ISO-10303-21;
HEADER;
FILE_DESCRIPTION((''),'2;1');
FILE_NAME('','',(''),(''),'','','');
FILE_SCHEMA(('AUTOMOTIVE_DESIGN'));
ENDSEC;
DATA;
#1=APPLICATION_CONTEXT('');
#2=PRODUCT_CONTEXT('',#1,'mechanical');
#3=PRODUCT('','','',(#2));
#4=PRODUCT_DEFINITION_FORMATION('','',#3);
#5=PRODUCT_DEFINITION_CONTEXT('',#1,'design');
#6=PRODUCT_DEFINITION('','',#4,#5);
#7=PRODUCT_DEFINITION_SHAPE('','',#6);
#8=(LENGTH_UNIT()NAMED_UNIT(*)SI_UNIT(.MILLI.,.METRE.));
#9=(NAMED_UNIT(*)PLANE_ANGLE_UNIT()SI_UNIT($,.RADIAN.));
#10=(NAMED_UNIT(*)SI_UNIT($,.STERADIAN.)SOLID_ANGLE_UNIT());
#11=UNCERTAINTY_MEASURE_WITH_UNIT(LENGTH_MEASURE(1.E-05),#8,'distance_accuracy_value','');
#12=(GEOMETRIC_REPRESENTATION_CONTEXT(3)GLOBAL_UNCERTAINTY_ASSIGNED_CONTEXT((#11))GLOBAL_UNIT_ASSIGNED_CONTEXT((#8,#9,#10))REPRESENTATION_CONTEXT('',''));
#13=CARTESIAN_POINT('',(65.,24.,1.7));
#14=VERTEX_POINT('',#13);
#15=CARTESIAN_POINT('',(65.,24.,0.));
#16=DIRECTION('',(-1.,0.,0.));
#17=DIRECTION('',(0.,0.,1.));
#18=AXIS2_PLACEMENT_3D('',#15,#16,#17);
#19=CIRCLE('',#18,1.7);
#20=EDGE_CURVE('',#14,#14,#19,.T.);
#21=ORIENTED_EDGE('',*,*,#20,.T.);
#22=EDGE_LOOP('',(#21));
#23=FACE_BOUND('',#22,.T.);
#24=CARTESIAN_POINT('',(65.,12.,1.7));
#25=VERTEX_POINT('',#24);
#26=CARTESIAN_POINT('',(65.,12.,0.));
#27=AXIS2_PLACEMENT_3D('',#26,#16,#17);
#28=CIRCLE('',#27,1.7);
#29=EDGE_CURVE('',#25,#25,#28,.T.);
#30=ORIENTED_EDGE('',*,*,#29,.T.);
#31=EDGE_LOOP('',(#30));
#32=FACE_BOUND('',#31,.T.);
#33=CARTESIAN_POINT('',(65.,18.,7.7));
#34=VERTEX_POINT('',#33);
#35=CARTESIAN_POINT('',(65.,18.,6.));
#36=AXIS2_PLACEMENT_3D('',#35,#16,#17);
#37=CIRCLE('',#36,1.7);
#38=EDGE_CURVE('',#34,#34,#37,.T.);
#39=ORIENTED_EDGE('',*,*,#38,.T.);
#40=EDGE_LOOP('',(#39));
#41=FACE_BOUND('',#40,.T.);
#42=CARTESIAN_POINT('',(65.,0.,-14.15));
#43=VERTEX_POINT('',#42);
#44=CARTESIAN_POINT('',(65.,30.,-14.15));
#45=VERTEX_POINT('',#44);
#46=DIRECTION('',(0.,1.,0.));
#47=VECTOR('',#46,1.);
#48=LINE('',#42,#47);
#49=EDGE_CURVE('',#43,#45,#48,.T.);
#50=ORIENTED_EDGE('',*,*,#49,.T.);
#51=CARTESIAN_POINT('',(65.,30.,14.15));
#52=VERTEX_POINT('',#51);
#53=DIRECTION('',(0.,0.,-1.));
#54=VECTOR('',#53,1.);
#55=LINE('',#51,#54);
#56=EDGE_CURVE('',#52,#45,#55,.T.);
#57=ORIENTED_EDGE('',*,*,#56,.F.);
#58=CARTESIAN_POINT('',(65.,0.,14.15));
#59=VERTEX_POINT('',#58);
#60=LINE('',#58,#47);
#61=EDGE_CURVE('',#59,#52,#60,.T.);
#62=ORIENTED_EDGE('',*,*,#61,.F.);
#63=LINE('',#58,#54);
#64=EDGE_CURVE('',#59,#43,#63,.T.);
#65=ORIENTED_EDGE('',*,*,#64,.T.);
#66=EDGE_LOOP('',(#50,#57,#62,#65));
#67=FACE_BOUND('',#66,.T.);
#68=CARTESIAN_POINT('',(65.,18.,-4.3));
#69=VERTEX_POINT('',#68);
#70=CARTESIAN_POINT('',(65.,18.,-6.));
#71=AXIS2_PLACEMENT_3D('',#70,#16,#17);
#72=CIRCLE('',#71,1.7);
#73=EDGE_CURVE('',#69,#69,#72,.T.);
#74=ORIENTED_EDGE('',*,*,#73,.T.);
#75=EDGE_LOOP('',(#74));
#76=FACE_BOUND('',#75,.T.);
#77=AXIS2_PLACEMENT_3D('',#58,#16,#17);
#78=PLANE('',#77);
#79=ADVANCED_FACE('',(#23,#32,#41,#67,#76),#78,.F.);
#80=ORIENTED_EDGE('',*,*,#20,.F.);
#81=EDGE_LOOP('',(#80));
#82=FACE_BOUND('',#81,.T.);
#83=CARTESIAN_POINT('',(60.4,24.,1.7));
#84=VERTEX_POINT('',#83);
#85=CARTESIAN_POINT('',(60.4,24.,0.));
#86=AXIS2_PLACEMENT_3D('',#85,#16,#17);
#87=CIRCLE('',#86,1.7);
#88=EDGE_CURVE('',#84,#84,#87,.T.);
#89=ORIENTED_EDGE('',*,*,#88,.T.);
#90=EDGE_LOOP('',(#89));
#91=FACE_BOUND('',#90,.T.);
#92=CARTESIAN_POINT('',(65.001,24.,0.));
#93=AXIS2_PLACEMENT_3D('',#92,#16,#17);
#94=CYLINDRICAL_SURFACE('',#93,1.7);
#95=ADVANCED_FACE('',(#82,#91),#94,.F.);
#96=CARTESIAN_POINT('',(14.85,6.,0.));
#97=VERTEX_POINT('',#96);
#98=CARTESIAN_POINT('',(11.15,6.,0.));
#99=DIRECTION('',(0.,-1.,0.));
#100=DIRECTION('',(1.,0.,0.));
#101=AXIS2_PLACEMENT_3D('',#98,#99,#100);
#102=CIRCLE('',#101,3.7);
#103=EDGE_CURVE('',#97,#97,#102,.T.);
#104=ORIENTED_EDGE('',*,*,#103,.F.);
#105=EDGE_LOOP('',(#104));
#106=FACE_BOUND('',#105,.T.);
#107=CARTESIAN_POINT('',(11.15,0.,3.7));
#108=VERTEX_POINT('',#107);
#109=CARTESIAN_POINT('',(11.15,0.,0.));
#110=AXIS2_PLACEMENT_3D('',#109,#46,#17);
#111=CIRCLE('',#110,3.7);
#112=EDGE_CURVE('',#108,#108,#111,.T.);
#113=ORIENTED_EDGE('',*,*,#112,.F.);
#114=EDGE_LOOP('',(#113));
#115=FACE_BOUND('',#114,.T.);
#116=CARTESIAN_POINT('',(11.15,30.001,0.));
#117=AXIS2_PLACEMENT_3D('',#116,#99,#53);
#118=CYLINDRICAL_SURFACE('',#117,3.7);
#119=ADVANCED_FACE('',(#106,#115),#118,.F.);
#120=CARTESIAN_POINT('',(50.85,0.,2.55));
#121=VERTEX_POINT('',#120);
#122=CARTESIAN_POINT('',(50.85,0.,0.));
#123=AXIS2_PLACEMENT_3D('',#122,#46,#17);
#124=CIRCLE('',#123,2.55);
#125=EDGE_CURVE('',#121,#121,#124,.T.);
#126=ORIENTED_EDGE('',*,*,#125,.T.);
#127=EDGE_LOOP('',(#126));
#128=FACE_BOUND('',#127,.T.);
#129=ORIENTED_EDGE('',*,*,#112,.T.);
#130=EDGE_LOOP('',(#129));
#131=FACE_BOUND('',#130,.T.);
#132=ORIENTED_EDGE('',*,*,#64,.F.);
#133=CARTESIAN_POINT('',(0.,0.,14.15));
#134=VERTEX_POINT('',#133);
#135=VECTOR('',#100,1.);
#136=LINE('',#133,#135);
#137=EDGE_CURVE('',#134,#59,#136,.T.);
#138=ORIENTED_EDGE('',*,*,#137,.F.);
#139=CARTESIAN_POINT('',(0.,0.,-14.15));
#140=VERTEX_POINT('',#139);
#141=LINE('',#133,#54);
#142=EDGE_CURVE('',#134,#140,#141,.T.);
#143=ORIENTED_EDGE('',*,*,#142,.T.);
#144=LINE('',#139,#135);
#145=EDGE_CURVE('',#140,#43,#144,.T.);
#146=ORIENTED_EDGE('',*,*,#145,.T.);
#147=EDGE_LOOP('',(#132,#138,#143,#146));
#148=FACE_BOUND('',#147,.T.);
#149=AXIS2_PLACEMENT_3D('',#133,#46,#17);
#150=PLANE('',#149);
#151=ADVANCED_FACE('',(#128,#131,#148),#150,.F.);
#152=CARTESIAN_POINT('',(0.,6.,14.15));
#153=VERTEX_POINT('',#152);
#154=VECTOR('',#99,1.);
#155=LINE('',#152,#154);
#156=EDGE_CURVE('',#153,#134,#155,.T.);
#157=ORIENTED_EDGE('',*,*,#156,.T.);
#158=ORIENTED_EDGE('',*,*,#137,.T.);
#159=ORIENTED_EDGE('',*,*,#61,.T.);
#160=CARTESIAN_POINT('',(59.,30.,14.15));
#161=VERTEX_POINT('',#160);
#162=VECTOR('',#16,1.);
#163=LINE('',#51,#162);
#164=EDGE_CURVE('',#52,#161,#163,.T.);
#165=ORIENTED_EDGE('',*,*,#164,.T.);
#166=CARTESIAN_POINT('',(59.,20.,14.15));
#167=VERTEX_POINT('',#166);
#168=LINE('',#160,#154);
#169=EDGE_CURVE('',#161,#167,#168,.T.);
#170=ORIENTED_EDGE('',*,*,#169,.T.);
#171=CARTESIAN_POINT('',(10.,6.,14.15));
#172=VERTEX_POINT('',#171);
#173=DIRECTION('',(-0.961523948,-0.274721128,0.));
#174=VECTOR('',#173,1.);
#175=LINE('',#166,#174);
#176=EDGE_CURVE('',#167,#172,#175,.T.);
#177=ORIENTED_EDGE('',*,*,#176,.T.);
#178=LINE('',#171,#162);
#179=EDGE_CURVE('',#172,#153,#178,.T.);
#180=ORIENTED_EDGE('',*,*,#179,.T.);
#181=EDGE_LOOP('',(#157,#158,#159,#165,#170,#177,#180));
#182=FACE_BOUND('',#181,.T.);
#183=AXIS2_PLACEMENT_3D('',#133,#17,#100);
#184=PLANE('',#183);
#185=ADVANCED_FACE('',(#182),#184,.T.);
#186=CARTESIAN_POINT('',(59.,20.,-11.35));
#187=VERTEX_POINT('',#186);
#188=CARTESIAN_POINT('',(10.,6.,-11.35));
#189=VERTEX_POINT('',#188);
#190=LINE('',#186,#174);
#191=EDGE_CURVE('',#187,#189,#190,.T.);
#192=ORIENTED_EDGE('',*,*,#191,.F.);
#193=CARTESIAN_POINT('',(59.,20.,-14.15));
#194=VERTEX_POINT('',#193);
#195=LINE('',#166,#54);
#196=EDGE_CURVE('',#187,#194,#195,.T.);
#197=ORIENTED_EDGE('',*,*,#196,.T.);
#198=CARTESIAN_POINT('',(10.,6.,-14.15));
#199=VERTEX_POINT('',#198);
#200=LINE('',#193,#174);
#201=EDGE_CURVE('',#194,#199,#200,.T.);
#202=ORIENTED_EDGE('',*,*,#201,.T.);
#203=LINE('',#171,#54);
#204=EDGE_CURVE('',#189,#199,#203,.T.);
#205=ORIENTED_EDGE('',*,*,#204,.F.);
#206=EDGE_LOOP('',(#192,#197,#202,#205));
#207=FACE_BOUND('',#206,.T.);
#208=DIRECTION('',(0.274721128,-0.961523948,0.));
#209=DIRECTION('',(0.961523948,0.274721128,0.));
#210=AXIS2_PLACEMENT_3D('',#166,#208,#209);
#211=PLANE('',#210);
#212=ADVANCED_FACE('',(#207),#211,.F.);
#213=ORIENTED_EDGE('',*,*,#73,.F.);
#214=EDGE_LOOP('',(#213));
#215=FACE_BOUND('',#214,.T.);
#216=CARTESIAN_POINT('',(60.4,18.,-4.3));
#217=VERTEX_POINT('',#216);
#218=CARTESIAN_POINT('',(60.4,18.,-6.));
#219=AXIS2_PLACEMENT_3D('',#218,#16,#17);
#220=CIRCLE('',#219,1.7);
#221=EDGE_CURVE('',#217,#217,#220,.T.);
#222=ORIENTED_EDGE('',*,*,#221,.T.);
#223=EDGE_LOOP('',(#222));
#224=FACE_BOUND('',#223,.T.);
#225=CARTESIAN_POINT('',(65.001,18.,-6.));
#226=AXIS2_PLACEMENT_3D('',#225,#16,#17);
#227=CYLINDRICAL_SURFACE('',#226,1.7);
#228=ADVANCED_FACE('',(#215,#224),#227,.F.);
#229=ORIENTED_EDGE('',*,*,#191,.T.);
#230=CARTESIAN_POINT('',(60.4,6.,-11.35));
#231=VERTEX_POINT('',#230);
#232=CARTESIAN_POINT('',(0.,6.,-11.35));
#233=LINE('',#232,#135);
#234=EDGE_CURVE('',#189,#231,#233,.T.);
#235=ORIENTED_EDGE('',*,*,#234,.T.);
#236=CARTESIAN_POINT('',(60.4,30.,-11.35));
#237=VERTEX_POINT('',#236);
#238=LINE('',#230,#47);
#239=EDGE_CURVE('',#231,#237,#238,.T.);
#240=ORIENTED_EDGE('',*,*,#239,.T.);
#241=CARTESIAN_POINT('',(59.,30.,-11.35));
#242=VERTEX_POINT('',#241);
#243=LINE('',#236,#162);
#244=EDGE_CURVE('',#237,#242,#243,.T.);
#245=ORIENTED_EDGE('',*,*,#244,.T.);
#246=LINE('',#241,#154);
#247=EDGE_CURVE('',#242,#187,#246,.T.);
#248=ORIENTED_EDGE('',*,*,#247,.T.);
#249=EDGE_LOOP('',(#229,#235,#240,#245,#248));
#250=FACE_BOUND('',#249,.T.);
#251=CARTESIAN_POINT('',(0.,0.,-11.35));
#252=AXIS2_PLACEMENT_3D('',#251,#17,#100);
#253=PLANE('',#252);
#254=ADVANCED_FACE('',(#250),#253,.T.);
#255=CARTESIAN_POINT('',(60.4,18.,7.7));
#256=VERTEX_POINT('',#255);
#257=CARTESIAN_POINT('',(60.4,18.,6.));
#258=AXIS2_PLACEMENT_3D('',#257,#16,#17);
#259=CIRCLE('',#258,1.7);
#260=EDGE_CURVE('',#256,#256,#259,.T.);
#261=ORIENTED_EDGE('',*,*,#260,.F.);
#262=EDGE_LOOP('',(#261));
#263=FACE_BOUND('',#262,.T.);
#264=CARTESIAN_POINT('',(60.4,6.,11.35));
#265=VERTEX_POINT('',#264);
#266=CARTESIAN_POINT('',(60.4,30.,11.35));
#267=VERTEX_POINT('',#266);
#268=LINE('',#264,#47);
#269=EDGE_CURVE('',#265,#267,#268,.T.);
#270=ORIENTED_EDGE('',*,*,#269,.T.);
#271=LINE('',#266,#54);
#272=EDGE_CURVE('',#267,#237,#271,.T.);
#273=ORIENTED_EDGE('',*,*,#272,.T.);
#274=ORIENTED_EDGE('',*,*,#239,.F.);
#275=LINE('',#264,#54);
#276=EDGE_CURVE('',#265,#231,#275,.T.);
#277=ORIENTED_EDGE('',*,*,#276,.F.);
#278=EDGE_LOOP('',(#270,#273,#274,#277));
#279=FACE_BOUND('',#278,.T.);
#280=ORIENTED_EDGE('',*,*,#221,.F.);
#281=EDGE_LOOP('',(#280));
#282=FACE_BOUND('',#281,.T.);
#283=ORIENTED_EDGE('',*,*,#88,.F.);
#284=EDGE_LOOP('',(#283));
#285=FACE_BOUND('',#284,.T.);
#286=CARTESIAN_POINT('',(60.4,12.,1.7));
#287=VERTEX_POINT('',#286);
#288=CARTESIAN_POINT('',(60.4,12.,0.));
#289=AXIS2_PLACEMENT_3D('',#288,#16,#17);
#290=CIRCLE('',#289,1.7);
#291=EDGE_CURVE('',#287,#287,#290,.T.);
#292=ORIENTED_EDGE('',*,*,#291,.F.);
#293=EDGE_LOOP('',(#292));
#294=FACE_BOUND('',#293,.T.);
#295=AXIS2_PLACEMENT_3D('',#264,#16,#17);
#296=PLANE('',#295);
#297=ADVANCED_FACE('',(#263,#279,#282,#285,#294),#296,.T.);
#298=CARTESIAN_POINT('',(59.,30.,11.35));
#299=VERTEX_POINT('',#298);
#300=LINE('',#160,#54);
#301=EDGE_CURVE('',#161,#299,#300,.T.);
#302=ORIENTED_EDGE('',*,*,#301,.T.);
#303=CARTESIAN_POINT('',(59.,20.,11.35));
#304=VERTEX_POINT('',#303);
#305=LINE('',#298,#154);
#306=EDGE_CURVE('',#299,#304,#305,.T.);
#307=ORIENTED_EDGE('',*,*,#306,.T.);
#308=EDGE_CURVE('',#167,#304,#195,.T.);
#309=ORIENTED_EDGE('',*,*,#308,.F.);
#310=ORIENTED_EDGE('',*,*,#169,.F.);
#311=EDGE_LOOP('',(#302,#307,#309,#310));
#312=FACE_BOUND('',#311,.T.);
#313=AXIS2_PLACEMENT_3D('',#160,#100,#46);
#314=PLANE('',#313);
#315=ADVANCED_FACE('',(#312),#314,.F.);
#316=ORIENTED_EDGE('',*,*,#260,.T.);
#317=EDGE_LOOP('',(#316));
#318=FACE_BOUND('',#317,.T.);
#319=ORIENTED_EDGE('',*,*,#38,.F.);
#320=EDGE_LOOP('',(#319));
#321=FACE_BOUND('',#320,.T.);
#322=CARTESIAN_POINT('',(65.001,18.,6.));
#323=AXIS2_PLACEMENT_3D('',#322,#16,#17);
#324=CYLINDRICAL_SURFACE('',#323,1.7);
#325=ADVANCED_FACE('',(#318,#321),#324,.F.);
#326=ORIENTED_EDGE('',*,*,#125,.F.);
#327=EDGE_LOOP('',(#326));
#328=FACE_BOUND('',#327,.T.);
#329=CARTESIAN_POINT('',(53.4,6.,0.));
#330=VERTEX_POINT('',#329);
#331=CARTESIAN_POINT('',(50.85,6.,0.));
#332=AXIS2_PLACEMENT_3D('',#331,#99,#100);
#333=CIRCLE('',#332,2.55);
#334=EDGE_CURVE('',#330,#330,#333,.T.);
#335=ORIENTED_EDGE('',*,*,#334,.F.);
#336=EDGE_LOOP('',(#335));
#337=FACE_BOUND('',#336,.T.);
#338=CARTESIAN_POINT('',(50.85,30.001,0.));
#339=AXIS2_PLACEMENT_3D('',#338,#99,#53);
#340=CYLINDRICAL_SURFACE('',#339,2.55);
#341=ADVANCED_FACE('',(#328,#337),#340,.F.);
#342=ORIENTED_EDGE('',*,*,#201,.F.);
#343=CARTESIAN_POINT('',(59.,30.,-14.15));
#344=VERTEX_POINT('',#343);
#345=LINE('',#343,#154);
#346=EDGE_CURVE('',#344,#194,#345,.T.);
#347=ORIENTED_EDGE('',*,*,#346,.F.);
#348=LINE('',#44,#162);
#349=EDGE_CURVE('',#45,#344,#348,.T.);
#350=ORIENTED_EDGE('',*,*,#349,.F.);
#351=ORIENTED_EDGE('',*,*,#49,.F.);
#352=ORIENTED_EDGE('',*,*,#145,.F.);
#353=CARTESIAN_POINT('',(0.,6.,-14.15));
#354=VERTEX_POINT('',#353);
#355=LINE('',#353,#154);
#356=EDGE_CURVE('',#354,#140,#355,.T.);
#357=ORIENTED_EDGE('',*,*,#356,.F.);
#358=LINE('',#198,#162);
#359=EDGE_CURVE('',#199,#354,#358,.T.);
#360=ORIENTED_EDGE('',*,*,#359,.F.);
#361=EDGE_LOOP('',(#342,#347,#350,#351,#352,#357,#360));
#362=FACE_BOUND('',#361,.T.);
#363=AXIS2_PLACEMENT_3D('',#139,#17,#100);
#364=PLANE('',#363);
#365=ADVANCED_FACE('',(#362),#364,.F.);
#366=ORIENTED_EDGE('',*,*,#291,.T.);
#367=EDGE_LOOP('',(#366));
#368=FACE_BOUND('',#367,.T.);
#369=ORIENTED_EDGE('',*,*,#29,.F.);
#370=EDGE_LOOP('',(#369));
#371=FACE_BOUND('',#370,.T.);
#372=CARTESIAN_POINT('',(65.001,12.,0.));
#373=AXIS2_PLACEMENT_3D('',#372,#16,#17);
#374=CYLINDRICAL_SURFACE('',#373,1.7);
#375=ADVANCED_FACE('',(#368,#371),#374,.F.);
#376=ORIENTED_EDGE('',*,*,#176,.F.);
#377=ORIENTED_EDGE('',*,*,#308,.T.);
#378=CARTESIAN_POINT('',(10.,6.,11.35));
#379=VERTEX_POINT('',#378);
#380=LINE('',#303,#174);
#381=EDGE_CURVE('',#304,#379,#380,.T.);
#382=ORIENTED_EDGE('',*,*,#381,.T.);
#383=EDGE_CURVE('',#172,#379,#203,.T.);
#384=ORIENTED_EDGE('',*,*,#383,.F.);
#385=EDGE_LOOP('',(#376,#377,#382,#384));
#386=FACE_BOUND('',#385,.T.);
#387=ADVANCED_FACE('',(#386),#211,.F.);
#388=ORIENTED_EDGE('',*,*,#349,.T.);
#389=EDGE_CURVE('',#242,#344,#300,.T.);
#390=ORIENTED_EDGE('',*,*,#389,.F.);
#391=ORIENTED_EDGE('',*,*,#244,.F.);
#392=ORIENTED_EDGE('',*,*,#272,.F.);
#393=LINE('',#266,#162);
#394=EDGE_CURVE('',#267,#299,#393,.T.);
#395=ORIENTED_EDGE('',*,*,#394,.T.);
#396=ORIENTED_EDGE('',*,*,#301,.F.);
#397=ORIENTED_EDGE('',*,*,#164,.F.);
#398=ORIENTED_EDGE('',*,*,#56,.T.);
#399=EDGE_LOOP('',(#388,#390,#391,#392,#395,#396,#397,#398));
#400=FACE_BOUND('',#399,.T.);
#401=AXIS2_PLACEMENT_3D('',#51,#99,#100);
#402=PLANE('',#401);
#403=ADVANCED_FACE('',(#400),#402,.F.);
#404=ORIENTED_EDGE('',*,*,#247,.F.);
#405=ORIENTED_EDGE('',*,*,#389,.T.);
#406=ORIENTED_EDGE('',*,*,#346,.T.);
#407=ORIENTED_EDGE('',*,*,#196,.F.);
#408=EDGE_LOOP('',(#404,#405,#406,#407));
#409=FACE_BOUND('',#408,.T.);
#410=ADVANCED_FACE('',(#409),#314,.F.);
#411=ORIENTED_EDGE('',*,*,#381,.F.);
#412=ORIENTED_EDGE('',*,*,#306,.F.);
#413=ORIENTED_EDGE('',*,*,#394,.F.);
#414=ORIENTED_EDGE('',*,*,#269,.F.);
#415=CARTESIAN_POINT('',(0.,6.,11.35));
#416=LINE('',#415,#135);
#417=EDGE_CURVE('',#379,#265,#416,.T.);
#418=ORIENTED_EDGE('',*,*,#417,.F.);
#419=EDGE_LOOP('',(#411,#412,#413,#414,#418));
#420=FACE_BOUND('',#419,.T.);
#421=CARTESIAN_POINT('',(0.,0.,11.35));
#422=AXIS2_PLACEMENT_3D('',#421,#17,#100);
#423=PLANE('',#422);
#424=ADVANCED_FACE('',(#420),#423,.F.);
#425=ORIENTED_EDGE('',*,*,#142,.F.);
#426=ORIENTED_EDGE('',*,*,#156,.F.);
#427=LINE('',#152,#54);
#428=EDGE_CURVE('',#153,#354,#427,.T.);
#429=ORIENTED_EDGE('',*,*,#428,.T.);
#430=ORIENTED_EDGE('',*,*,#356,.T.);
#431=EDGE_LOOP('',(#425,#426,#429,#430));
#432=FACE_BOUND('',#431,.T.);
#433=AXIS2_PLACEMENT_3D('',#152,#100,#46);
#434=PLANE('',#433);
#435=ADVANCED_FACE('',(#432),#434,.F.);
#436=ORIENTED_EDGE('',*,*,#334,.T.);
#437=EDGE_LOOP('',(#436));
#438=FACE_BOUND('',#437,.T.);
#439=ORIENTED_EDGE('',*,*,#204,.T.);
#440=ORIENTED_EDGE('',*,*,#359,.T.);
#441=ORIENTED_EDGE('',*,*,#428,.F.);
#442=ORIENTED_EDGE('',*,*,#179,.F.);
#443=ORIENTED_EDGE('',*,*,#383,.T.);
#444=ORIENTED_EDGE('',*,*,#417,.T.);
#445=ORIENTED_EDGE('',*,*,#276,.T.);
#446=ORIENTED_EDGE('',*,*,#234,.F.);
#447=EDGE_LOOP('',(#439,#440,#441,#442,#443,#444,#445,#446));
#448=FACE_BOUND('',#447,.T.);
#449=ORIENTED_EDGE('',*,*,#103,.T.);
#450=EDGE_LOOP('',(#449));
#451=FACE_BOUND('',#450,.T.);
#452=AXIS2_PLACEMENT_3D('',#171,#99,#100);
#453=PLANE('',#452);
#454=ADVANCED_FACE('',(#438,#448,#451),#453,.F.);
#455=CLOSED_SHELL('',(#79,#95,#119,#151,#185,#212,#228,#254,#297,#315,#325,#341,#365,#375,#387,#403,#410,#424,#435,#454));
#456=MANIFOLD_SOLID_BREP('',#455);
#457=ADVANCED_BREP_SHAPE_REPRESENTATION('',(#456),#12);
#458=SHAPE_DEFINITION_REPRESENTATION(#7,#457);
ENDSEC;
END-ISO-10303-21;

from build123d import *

# Parameters (mm, degrees)
EXTRUDE_1_DEPTH     = 14.15
SKETCH_2_W          = 60.4
SKETCH_2_H          = 24
CUT_EXTRUDE_1_DEPTH = 11.35
CUT_EXTRUDE_2_REACH = 74.974
SKETCH_4_R          = 2.55
SKETCH_4_R_2        = 3.7
CUT_EXTRUDE_3_REACH = 74.974
SKETCH_5_R          = 1.7


with BuildPart() as part:
    # 草图1 → 凸台-拉伸1 (new, symmetric)
    with BuildSketch(Plane.XY):
        Polygon((0, 0), (65, 0), (65, 30), (59, 30), (59, 20), (10, 6), (0, 6), align=None)
    extrude(amount=EXTRUDE_1_DEPTH, both=True)

    # 草图2 → 切除-拉伸1 (cut, symmetric)
    with BuildSketch(Plane.XY):
        with Locations((30.2, 18)):
            Rectangle(SKETCH_2_W, SKETCH_2_H)
    extrude(amount=CUT_EXTRUDE_1_DEPTH, both=True, mode=Mode.SUBTRACT)

    # 草图4 → 切除-拉伸2 (cut, up to next)
    with BuildSketch(Plane(origin=(0, 0, 0), x_dir=(1, 0, 0), z_dir=(0, 1, 0)), mode=Mode.PRIVATE) as cut_extrude_2_sk1:
        with Locations((50.85, 0)):
            Circle(SKETCH_4_R)
    cut_extrude_2_tool1 = extrude(cut_extrude_2_sk1.sketch, amount=CUT_EXTRUDE_2_REACH, mode=Mode.PRIVATE) & part.part
    # 草图4 → 切除-拉伸2 (cut, up to next)
    with BuildSketch(Plane(origin=(0, 0, 0), x_dir=(1, 0, 0), z_dir=(0, 1, 0)), mode=Mode.PRIVATE) as cut_extrude_2_sk2:
        with Locations((11.15, 0)):
            Circle(SKETCH_4_R_2)
    cut_extrude_2_tool2 = extrude(cut_extrude_2_sk2.sketch, amount=CUT_EXTRUDE_2_REACH, mode=Mode.PRIVATE) & part.part
    add(cut_extrude_2_tool1.solids().sort_by_distance((50.85, 0, 0))[0], mode=Mode.SUBTRACT)
    add(cut_extrude_2_tool2.solids().sort_by_distance((11.15, 0, 0))[0], mode=Mode.SUBTRACT)

    # 草图5 → 切除-拉伸3 (cut, up to next)
    with BuildSketch(Plane(origin=(0, 0, 0), x_dir=(0, 0, -1), z_dir=(1, 0, 0)), mode=Mode.PRIVATE) as cut_extrude_3_sk1:
        with Locations(Location((0, 24, 0), (0, 0, 180))):
            Circle(SKETCH_5_R)
    cut_extrude_3_tool1 = extrude(cut_extrude_3_sk1.sketch, amount=CUT_EXTRUDE_3_REACH, mode=Mode.PRIVATE) & part.part
    # 草图5 → 切除-拉伸3 (cut, up to next)
    with BuildSketch(Plane(origin=(0, 0, 0), x_dir=(0, 0, -1), z_dir=(1, 0, 0)), mode=Mode.PRIVATE) as cut_extrude_3_sk2:
        with Locations(Location((0, 12, 0), (0, 0, 180))):
            Circle(SKETCH_5_R)
    cut_extrude_3_tool2 = extrude(cut_extrude_3_sk2.sketch, amount=CUT_EXTRUDE_3_REACH, mode=Mode.PRIVATE) & part.part
    # 草图5 → 切除-拉伸3 (cut, up to next)
    with BuildSketch(Plane(origin=(0, 0, 0), x_dir=(0, 0, -1), z_dir=(1, 0, 0)), mode=Mode.PRIVATE) as cut_extrude_3_sk3:
        with Locations(Location((-6, 18, 0), (0, 0, 180))):
            Circle(SKETCH_5_R)
    cut_extrude_3_tool3 = extrude(cut_extrude_3_sk3.sketch, amount=CUT_EXTRUDE_3_REACH, mode=Mode.PRIVATE) & part.part
    # 草图5 → 切除-拉伸3 (cut, up to next)
    with BuildSketch(Plane(origin=(0, 0, 0), x_dir=(0, 0, -1), z_dir=(1, 0, 0)), mode=Mode.PRIVATE) as cut_extrude_3_sk4:
        with Locations(Location((6, 18, 0), (0, 0, 180))):
            Circle(SKETCH_5_R)
    cut_extrude_3_tool4 = extrude(cut_extrude_3_sk4.sketch, amount=CUT_EXTRUDE_3_REACH, mode=Mode.PRIVATE) & part.part
    add(cut_extrude_3_tool1.solids().sort_by_distance((0, 24, 0))[0], mode=Mode.SUBTRACT)
    add(cut_extrude_3_tool2.solids().sort_by_distance((0, 12, 0))[0], mode=Mode.SUBTRACT)
    add(cut_extrude_3_tool3.solids().sort_by_distance((0, 18, 6))[0], mode=Mode.SUBTRACT)
    add(cut_extrude_3_tool4.solids().sort_by_distance((0, 18, -6))[0], mode=Mode.SUBTRACT)


solid = part.part
